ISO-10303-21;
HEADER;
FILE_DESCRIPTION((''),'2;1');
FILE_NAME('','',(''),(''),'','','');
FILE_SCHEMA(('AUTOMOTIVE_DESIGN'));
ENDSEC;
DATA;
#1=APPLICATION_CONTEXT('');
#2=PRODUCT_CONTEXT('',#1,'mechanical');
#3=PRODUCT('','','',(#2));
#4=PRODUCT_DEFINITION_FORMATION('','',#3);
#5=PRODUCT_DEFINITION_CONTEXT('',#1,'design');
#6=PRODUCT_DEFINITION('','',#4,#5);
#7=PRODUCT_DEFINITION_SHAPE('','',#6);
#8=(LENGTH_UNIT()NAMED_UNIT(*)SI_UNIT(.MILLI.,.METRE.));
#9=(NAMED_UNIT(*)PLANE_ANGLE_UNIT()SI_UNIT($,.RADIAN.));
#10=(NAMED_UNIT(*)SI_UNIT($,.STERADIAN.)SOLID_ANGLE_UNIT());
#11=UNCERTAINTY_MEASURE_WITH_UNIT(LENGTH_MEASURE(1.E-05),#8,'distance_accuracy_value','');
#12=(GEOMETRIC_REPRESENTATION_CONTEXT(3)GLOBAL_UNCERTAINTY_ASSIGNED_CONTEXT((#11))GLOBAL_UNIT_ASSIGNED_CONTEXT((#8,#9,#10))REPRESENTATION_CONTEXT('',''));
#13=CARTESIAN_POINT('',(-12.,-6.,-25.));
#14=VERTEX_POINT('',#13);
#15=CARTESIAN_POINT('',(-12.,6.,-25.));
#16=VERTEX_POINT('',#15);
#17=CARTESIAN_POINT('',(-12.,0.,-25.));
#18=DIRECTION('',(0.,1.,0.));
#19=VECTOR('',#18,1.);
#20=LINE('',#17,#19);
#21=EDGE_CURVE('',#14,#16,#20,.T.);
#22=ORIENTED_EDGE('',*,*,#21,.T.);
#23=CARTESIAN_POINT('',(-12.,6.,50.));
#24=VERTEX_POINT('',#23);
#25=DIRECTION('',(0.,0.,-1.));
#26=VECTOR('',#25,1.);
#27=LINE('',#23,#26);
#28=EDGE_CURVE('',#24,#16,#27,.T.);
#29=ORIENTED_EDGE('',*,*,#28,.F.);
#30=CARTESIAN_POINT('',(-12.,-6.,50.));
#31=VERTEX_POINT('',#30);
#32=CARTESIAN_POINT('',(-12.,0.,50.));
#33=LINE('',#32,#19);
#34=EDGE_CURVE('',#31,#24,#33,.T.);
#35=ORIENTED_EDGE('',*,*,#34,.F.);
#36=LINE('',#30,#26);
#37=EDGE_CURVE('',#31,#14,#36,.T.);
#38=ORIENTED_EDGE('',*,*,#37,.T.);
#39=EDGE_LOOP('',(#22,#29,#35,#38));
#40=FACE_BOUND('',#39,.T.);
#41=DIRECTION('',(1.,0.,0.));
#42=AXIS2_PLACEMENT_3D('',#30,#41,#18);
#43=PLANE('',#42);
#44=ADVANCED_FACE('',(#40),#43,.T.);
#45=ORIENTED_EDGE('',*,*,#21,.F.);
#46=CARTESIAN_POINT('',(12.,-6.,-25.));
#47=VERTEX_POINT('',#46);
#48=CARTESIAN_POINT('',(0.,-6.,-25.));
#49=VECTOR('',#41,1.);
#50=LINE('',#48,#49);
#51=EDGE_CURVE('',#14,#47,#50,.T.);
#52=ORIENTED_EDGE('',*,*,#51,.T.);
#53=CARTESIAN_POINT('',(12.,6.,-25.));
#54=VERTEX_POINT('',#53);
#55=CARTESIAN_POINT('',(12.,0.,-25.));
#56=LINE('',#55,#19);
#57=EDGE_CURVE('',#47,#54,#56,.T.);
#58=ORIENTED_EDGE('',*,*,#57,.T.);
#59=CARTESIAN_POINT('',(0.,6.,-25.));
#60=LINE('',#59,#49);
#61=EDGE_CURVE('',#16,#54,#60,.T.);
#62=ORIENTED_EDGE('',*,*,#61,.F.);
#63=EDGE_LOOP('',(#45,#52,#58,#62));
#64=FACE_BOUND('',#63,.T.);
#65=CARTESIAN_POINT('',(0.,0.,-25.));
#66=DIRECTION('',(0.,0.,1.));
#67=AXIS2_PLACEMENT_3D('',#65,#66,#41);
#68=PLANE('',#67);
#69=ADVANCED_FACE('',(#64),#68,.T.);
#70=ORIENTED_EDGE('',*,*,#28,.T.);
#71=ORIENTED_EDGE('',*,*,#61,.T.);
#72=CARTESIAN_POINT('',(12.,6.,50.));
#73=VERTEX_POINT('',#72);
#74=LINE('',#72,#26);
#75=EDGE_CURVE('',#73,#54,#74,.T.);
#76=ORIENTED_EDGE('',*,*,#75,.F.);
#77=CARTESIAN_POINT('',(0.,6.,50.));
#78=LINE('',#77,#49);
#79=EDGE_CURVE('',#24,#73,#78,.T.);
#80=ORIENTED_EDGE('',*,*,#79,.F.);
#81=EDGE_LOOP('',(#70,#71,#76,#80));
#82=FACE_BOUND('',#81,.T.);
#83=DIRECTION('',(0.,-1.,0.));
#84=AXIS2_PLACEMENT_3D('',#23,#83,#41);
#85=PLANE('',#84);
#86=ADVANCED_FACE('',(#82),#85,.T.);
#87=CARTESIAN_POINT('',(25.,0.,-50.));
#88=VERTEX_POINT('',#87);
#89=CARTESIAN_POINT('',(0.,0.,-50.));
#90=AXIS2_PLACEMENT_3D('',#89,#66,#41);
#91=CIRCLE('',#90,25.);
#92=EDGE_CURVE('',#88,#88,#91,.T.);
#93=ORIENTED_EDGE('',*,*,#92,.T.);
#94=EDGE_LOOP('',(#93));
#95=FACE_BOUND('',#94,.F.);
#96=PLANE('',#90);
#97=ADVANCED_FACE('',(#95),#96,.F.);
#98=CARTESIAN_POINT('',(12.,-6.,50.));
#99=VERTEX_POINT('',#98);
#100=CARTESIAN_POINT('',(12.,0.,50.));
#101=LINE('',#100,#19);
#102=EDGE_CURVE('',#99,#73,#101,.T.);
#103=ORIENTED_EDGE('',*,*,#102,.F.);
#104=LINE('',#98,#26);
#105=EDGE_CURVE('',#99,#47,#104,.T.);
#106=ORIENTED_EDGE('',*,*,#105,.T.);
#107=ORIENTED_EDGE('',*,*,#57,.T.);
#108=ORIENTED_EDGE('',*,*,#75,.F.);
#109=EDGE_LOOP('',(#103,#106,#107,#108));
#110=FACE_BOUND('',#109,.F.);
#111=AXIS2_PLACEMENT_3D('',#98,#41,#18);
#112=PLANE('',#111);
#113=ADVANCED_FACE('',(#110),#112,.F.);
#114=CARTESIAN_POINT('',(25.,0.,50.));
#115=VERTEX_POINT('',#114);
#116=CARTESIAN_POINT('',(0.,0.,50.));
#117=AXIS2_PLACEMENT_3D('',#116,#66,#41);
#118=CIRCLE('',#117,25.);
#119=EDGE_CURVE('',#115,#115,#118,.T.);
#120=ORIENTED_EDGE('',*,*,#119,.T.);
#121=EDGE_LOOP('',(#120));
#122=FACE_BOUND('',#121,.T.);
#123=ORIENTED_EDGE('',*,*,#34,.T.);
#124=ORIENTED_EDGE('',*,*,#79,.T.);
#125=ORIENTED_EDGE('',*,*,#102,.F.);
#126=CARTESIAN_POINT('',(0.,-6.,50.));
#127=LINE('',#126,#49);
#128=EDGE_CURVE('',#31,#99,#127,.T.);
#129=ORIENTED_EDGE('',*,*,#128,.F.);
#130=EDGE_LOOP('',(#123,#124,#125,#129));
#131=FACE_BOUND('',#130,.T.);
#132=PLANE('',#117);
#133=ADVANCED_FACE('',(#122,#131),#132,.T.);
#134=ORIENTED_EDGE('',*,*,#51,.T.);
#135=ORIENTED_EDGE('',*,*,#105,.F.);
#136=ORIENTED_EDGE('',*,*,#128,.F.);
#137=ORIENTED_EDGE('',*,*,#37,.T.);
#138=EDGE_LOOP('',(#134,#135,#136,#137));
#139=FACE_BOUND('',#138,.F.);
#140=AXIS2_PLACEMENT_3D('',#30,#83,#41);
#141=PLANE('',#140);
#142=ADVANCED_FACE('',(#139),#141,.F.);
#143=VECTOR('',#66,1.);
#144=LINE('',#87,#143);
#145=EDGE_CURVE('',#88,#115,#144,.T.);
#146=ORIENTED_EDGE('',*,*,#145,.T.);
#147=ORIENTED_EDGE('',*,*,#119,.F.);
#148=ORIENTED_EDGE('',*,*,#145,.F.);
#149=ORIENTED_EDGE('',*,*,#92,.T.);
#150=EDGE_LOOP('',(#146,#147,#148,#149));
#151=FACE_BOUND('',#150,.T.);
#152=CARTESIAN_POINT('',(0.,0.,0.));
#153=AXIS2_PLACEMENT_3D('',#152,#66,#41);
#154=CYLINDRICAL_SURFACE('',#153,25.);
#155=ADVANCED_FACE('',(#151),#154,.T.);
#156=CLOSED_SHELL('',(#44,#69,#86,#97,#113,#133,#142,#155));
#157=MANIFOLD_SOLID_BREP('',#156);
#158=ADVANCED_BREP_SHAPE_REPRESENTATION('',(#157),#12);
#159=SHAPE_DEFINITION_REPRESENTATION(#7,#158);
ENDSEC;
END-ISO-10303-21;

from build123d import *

# Parameters (mm, degrees)
F0_R     = 25
F1_DEPTH = 50
F2_W     = 24
F2_H     = 12
F3_DEPTH = 75


with BuildPart() as f1:
    # F0 (on Top) → F1 (new body, symmetric)
    with BuildSketch(Plane.XY):
        Circle(F0_R)
    extrude(amount=F1_DEPTH, both=True)

    # F2 (on face) → F3 (cut)
    with BuildSketch(Plane.XY.offset(50)):
        Rectangle(F2_W, F2_H)
    extrude(amount=-F3_DEPTH, mode=Mode.SUBTRACT)


solid = f1.part
